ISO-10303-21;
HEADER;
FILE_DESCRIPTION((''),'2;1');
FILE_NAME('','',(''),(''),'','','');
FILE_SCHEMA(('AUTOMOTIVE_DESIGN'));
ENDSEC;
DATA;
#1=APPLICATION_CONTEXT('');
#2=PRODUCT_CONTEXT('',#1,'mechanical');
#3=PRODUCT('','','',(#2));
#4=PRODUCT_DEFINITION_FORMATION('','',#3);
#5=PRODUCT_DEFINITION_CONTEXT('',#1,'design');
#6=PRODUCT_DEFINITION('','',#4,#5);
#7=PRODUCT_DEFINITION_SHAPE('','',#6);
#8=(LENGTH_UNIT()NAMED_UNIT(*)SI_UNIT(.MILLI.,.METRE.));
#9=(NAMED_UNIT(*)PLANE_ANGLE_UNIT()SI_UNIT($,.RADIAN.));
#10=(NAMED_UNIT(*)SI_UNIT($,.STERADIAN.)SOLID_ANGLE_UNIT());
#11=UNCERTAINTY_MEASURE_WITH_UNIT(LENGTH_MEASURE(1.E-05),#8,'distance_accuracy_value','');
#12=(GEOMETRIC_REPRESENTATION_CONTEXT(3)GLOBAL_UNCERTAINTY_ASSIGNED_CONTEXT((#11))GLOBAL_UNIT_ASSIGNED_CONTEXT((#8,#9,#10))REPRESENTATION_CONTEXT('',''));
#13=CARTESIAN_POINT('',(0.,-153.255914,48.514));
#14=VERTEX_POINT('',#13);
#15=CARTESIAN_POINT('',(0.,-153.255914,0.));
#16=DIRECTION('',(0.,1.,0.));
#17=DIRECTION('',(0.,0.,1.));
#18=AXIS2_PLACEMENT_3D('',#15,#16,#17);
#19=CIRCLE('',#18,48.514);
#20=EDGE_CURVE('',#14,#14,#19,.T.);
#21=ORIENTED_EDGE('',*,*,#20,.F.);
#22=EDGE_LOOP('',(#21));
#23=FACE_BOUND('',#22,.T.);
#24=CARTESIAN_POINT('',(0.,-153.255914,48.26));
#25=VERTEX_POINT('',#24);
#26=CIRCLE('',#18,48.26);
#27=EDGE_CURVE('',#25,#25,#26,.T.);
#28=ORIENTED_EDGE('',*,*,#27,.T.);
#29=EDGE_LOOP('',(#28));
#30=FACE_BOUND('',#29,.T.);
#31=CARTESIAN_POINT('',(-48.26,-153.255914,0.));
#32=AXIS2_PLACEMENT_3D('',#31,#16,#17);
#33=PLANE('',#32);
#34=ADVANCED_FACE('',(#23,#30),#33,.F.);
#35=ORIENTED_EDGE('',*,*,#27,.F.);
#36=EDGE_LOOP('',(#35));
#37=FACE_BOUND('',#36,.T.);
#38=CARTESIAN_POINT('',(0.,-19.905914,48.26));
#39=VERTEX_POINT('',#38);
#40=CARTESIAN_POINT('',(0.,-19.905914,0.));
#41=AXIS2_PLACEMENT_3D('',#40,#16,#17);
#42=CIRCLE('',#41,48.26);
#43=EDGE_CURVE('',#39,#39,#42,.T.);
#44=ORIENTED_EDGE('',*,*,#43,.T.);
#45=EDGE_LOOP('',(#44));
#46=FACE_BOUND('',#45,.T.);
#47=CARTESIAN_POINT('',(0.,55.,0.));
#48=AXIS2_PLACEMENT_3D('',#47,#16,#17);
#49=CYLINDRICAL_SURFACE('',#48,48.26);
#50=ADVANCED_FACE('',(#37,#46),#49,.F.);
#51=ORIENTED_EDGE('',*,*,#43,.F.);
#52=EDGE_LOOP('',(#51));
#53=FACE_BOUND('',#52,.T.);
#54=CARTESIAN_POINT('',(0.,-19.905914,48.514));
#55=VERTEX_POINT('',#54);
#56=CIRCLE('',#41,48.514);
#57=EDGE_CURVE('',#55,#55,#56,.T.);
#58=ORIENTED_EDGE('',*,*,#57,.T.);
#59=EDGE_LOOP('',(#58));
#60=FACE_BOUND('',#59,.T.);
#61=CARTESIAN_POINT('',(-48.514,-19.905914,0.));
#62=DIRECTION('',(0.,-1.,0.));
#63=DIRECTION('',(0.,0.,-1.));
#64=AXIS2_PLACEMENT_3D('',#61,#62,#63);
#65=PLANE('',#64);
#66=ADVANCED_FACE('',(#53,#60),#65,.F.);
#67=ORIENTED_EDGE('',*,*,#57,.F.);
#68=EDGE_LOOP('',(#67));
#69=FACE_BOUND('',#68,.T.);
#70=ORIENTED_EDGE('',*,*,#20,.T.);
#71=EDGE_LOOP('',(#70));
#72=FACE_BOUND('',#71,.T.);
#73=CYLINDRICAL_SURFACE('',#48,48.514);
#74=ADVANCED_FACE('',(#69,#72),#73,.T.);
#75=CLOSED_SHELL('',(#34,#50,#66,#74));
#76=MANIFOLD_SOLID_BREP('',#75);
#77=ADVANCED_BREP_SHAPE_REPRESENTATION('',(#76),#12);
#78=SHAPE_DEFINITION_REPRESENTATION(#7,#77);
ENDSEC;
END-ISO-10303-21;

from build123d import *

# Parameters (mm, degrees)
SKETCH1_W = 0.254
SKETCH1_H = 133.35


with BuildPart() as part:
    # Sketch1 → Revolve-Thin1 (revolve)
    with BuildSketch(Plane.XY):
        with Locations((-48.387, -86.580914232)):
            Rectangle(SKETCH1_W, SKETCH1_H)
    revolve(axis=Axis((0, 55, 0), (0, -1, 0)))


solid = part.part
